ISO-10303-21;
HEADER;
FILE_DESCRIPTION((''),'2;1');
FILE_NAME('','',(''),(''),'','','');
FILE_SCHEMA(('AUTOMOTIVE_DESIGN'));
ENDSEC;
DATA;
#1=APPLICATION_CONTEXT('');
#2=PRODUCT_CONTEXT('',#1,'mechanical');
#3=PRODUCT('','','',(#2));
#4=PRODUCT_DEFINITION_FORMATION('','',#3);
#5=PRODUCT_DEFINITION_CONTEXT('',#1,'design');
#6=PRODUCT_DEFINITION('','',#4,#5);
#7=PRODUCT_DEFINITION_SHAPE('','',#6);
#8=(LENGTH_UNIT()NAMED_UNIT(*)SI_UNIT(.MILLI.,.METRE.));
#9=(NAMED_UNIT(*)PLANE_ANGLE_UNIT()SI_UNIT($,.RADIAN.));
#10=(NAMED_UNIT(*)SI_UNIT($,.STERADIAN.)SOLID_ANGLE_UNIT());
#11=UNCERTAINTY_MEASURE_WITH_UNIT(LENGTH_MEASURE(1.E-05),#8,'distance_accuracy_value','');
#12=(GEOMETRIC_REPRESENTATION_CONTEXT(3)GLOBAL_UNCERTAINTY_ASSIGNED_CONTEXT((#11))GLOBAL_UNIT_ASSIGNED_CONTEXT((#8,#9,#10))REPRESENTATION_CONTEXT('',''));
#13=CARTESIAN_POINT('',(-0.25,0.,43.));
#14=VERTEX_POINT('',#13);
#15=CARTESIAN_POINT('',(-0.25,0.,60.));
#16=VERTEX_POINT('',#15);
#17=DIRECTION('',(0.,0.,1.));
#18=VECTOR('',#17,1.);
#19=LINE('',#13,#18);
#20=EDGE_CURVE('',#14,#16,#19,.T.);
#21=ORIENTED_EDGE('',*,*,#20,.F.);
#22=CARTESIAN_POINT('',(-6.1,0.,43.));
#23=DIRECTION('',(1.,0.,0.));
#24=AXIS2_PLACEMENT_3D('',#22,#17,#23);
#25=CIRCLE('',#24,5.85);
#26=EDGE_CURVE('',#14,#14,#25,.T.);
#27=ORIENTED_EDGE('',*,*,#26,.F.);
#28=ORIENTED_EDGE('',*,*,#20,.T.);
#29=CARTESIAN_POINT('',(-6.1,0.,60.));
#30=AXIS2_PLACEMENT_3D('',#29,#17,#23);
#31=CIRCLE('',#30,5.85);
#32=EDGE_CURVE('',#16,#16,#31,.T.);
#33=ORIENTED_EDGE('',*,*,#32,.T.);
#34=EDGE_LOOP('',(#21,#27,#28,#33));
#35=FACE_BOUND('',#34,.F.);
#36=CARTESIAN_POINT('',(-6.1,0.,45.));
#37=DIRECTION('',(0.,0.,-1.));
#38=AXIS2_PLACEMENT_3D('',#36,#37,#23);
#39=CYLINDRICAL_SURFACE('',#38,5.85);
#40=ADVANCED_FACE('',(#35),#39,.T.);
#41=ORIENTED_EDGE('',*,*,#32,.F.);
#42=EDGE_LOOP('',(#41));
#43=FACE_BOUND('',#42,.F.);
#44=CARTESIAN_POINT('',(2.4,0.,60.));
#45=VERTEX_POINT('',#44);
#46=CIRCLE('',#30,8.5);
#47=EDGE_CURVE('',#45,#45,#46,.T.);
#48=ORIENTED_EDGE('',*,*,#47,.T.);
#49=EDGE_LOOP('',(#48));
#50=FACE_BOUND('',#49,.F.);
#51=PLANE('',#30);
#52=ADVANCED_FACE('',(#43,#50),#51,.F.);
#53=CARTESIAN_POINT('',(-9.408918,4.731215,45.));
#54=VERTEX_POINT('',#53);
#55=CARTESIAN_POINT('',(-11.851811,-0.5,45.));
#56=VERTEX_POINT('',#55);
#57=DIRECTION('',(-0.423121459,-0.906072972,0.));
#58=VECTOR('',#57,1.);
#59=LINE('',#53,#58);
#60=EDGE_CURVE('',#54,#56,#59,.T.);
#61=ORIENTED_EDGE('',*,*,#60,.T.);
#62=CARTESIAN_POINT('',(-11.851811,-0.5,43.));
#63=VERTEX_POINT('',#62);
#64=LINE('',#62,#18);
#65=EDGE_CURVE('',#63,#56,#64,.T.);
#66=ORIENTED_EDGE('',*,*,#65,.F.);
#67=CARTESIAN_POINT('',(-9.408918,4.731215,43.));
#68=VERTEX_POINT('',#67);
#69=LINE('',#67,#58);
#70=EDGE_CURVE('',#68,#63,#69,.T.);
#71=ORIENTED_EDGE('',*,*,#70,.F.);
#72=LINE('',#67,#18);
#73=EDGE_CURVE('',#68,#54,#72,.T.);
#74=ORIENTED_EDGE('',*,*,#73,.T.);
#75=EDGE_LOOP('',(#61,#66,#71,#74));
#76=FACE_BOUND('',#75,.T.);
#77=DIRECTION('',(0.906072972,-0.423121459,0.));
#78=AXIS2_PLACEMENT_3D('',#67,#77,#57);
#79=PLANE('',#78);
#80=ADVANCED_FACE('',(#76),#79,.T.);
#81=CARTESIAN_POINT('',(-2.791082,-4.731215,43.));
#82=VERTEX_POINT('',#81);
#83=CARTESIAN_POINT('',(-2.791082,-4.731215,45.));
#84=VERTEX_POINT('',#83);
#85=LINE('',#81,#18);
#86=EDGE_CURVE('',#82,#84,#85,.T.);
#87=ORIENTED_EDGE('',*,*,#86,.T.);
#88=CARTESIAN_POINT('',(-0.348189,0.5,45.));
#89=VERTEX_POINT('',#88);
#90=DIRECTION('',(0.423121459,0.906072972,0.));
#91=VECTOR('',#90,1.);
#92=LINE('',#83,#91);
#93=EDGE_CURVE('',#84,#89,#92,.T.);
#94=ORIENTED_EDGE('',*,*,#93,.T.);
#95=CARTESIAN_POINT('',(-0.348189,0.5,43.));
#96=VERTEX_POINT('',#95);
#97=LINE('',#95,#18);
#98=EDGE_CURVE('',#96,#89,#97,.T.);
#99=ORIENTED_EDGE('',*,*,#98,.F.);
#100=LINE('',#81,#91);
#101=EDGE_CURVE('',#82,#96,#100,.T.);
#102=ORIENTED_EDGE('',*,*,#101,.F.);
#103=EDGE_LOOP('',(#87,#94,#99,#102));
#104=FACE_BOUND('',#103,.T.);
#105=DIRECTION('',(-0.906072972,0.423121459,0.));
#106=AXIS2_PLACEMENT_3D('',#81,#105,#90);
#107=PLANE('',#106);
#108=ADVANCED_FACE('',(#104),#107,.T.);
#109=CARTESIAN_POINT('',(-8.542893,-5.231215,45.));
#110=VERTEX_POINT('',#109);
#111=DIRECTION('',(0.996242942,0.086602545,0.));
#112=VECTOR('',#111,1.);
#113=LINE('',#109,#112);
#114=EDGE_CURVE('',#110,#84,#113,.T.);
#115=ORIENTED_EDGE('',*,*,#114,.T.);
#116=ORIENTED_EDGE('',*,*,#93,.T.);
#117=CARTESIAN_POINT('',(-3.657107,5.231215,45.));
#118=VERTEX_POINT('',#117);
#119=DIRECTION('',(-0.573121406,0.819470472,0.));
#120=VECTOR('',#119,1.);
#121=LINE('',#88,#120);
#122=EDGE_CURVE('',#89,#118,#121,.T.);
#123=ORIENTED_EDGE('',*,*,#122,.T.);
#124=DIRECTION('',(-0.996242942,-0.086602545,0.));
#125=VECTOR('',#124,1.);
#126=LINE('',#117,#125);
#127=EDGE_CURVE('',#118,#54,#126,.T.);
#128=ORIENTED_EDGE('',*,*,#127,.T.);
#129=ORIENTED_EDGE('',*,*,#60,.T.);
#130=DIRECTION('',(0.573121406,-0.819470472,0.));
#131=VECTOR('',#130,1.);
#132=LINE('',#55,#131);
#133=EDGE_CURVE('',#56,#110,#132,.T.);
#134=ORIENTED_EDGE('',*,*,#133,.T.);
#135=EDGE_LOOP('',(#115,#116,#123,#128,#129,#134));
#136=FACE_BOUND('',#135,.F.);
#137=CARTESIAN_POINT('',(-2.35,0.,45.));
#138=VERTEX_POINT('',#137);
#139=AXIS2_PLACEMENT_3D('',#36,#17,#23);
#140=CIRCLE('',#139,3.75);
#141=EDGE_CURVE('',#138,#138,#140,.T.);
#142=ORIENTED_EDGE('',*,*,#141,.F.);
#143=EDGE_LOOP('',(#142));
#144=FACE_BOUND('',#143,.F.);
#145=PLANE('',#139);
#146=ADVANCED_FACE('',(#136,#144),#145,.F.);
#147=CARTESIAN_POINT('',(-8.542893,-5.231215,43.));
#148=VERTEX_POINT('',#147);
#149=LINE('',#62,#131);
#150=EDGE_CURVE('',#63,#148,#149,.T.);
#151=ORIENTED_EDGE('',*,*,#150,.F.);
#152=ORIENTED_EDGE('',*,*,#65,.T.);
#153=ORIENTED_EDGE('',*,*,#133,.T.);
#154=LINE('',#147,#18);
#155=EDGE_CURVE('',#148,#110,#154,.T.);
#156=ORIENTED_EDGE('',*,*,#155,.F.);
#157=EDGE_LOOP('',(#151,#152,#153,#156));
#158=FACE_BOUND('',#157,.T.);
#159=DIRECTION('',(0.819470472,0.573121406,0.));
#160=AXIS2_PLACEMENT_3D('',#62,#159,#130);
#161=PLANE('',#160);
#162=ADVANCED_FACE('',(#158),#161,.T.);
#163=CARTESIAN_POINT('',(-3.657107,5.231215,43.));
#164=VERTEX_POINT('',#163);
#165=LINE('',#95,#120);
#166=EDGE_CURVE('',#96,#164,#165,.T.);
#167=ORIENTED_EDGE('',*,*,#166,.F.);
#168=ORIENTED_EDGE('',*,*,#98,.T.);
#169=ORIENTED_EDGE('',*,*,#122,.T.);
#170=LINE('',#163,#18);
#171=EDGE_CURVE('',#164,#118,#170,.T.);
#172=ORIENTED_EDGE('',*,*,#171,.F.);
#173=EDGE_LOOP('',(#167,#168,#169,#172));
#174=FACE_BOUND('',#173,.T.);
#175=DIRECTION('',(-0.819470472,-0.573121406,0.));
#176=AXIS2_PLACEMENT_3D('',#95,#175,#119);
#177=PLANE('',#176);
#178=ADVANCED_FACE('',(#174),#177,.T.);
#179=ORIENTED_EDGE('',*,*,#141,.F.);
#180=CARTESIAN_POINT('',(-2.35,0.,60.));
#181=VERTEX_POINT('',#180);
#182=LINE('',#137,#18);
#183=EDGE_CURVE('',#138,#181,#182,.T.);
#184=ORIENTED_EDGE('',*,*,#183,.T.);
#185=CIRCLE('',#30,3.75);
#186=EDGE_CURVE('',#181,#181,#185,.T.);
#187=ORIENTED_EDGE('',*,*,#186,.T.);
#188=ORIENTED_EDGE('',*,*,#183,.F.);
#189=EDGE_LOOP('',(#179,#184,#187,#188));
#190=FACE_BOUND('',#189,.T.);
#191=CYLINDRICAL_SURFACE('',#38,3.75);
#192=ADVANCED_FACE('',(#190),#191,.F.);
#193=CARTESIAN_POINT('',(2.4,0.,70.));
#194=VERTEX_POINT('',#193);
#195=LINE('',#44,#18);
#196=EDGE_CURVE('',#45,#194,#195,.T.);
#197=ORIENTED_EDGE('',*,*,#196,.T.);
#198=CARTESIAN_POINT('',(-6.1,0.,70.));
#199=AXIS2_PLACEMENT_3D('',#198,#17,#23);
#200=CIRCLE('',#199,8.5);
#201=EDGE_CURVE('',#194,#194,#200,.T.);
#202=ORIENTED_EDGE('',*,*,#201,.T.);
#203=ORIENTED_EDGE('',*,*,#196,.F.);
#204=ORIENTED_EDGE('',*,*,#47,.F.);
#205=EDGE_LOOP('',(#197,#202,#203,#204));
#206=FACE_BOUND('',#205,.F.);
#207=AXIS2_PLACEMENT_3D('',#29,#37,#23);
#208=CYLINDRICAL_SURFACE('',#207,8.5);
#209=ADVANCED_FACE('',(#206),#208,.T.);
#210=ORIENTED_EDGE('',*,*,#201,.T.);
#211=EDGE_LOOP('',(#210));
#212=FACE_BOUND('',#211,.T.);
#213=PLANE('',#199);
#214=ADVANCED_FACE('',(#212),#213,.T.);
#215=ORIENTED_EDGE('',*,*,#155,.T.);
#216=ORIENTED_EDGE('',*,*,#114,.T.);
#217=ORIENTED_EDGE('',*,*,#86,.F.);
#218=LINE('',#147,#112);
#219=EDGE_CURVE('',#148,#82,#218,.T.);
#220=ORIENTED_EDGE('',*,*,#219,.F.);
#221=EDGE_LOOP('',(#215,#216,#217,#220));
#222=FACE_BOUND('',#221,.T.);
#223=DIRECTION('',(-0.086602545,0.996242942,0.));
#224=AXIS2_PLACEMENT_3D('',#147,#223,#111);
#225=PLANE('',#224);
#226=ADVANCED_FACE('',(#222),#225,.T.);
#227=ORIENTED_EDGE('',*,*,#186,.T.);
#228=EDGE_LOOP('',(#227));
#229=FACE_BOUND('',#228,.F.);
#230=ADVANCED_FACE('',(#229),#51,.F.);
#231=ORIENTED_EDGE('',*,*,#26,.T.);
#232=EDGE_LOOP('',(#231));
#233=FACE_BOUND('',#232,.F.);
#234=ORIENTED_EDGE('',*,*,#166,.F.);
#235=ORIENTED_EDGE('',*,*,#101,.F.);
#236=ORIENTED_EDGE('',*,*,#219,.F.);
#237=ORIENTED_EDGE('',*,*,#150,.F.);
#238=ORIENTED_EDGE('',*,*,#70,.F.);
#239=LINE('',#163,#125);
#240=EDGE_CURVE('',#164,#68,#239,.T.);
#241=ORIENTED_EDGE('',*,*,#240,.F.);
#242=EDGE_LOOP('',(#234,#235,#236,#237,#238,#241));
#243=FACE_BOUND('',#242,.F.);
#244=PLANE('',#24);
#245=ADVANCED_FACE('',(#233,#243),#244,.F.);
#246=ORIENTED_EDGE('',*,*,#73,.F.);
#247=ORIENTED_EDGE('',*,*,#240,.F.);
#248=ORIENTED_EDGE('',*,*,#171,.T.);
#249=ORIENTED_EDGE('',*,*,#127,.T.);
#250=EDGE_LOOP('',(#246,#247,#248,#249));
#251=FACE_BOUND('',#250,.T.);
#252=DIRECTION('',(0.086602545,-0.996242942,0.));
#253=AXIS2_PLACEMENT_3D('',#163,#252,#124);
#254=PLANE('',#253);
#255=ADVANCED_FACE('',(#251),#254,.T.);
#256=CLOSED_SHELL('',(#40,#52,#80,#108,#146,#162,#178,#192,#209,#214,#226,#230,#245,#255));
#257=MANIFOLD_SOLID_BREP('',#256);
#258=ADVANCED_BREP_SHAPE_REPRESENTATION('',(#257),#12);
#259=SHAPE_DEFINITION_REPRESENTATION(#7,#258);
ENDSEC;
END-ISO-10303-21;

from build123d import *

# Parameters (mm, degrees)
SKETCH136_R   = 5.85
PAD069_DEPTH  = 2
SKETCH095_R   = 5.85
SKETCH095_R_2 = 3.75
PAD070_DEPTH  = 15
SKETCH096_R   = 8.5
PAD071_DEPTH  = 10


with BuildPart() as part:
    # Sketch136 → Pad069 (new body)
    with BuildSketch(Plane.XY):
        with Locations((-1.1, 0.5)):
            Circle(SKETCH136_R)
        Polygon((-4.408918, 5.231215), (-6.851811, 0), (-3.542893, -4.731215), (2.208918, -4.231215), (4.651811, 1), (1.342893, 5.731215), align=None, mode=Mode.SUBTRACT)
    extrude(amount=PAD069_DEPTH)

    # Sketch095 (on Face9 of Pad069) → Pad070 (join)
    with BuildSketch(Plane.XY.offset(2)):
        with Locations((-1.1, 0.5)):
            Circle(SKETCH095_R)
        with Locations((-1.1, 0.5)):
            Circle(SKETCH095_R_2, mode=Mode.SUBTRACT)
    extrude(amount=PAD070_DEPTH)

    # Sketch096 (on Face10 of Pad070) → Pad071 (join)
    with BuildSketch(Plane.XY.offset(17)):
        with Locations((-1.1, 0.5)):
            Circle(SKETCH096_R)
    extrude(amount=PAD071_DEPTH)


with BuildPart() as part_1:
    # Body010 placement: moved
    add(part.part.moved(Location((-5, -0.5, 43))))


solid = part_1.part
